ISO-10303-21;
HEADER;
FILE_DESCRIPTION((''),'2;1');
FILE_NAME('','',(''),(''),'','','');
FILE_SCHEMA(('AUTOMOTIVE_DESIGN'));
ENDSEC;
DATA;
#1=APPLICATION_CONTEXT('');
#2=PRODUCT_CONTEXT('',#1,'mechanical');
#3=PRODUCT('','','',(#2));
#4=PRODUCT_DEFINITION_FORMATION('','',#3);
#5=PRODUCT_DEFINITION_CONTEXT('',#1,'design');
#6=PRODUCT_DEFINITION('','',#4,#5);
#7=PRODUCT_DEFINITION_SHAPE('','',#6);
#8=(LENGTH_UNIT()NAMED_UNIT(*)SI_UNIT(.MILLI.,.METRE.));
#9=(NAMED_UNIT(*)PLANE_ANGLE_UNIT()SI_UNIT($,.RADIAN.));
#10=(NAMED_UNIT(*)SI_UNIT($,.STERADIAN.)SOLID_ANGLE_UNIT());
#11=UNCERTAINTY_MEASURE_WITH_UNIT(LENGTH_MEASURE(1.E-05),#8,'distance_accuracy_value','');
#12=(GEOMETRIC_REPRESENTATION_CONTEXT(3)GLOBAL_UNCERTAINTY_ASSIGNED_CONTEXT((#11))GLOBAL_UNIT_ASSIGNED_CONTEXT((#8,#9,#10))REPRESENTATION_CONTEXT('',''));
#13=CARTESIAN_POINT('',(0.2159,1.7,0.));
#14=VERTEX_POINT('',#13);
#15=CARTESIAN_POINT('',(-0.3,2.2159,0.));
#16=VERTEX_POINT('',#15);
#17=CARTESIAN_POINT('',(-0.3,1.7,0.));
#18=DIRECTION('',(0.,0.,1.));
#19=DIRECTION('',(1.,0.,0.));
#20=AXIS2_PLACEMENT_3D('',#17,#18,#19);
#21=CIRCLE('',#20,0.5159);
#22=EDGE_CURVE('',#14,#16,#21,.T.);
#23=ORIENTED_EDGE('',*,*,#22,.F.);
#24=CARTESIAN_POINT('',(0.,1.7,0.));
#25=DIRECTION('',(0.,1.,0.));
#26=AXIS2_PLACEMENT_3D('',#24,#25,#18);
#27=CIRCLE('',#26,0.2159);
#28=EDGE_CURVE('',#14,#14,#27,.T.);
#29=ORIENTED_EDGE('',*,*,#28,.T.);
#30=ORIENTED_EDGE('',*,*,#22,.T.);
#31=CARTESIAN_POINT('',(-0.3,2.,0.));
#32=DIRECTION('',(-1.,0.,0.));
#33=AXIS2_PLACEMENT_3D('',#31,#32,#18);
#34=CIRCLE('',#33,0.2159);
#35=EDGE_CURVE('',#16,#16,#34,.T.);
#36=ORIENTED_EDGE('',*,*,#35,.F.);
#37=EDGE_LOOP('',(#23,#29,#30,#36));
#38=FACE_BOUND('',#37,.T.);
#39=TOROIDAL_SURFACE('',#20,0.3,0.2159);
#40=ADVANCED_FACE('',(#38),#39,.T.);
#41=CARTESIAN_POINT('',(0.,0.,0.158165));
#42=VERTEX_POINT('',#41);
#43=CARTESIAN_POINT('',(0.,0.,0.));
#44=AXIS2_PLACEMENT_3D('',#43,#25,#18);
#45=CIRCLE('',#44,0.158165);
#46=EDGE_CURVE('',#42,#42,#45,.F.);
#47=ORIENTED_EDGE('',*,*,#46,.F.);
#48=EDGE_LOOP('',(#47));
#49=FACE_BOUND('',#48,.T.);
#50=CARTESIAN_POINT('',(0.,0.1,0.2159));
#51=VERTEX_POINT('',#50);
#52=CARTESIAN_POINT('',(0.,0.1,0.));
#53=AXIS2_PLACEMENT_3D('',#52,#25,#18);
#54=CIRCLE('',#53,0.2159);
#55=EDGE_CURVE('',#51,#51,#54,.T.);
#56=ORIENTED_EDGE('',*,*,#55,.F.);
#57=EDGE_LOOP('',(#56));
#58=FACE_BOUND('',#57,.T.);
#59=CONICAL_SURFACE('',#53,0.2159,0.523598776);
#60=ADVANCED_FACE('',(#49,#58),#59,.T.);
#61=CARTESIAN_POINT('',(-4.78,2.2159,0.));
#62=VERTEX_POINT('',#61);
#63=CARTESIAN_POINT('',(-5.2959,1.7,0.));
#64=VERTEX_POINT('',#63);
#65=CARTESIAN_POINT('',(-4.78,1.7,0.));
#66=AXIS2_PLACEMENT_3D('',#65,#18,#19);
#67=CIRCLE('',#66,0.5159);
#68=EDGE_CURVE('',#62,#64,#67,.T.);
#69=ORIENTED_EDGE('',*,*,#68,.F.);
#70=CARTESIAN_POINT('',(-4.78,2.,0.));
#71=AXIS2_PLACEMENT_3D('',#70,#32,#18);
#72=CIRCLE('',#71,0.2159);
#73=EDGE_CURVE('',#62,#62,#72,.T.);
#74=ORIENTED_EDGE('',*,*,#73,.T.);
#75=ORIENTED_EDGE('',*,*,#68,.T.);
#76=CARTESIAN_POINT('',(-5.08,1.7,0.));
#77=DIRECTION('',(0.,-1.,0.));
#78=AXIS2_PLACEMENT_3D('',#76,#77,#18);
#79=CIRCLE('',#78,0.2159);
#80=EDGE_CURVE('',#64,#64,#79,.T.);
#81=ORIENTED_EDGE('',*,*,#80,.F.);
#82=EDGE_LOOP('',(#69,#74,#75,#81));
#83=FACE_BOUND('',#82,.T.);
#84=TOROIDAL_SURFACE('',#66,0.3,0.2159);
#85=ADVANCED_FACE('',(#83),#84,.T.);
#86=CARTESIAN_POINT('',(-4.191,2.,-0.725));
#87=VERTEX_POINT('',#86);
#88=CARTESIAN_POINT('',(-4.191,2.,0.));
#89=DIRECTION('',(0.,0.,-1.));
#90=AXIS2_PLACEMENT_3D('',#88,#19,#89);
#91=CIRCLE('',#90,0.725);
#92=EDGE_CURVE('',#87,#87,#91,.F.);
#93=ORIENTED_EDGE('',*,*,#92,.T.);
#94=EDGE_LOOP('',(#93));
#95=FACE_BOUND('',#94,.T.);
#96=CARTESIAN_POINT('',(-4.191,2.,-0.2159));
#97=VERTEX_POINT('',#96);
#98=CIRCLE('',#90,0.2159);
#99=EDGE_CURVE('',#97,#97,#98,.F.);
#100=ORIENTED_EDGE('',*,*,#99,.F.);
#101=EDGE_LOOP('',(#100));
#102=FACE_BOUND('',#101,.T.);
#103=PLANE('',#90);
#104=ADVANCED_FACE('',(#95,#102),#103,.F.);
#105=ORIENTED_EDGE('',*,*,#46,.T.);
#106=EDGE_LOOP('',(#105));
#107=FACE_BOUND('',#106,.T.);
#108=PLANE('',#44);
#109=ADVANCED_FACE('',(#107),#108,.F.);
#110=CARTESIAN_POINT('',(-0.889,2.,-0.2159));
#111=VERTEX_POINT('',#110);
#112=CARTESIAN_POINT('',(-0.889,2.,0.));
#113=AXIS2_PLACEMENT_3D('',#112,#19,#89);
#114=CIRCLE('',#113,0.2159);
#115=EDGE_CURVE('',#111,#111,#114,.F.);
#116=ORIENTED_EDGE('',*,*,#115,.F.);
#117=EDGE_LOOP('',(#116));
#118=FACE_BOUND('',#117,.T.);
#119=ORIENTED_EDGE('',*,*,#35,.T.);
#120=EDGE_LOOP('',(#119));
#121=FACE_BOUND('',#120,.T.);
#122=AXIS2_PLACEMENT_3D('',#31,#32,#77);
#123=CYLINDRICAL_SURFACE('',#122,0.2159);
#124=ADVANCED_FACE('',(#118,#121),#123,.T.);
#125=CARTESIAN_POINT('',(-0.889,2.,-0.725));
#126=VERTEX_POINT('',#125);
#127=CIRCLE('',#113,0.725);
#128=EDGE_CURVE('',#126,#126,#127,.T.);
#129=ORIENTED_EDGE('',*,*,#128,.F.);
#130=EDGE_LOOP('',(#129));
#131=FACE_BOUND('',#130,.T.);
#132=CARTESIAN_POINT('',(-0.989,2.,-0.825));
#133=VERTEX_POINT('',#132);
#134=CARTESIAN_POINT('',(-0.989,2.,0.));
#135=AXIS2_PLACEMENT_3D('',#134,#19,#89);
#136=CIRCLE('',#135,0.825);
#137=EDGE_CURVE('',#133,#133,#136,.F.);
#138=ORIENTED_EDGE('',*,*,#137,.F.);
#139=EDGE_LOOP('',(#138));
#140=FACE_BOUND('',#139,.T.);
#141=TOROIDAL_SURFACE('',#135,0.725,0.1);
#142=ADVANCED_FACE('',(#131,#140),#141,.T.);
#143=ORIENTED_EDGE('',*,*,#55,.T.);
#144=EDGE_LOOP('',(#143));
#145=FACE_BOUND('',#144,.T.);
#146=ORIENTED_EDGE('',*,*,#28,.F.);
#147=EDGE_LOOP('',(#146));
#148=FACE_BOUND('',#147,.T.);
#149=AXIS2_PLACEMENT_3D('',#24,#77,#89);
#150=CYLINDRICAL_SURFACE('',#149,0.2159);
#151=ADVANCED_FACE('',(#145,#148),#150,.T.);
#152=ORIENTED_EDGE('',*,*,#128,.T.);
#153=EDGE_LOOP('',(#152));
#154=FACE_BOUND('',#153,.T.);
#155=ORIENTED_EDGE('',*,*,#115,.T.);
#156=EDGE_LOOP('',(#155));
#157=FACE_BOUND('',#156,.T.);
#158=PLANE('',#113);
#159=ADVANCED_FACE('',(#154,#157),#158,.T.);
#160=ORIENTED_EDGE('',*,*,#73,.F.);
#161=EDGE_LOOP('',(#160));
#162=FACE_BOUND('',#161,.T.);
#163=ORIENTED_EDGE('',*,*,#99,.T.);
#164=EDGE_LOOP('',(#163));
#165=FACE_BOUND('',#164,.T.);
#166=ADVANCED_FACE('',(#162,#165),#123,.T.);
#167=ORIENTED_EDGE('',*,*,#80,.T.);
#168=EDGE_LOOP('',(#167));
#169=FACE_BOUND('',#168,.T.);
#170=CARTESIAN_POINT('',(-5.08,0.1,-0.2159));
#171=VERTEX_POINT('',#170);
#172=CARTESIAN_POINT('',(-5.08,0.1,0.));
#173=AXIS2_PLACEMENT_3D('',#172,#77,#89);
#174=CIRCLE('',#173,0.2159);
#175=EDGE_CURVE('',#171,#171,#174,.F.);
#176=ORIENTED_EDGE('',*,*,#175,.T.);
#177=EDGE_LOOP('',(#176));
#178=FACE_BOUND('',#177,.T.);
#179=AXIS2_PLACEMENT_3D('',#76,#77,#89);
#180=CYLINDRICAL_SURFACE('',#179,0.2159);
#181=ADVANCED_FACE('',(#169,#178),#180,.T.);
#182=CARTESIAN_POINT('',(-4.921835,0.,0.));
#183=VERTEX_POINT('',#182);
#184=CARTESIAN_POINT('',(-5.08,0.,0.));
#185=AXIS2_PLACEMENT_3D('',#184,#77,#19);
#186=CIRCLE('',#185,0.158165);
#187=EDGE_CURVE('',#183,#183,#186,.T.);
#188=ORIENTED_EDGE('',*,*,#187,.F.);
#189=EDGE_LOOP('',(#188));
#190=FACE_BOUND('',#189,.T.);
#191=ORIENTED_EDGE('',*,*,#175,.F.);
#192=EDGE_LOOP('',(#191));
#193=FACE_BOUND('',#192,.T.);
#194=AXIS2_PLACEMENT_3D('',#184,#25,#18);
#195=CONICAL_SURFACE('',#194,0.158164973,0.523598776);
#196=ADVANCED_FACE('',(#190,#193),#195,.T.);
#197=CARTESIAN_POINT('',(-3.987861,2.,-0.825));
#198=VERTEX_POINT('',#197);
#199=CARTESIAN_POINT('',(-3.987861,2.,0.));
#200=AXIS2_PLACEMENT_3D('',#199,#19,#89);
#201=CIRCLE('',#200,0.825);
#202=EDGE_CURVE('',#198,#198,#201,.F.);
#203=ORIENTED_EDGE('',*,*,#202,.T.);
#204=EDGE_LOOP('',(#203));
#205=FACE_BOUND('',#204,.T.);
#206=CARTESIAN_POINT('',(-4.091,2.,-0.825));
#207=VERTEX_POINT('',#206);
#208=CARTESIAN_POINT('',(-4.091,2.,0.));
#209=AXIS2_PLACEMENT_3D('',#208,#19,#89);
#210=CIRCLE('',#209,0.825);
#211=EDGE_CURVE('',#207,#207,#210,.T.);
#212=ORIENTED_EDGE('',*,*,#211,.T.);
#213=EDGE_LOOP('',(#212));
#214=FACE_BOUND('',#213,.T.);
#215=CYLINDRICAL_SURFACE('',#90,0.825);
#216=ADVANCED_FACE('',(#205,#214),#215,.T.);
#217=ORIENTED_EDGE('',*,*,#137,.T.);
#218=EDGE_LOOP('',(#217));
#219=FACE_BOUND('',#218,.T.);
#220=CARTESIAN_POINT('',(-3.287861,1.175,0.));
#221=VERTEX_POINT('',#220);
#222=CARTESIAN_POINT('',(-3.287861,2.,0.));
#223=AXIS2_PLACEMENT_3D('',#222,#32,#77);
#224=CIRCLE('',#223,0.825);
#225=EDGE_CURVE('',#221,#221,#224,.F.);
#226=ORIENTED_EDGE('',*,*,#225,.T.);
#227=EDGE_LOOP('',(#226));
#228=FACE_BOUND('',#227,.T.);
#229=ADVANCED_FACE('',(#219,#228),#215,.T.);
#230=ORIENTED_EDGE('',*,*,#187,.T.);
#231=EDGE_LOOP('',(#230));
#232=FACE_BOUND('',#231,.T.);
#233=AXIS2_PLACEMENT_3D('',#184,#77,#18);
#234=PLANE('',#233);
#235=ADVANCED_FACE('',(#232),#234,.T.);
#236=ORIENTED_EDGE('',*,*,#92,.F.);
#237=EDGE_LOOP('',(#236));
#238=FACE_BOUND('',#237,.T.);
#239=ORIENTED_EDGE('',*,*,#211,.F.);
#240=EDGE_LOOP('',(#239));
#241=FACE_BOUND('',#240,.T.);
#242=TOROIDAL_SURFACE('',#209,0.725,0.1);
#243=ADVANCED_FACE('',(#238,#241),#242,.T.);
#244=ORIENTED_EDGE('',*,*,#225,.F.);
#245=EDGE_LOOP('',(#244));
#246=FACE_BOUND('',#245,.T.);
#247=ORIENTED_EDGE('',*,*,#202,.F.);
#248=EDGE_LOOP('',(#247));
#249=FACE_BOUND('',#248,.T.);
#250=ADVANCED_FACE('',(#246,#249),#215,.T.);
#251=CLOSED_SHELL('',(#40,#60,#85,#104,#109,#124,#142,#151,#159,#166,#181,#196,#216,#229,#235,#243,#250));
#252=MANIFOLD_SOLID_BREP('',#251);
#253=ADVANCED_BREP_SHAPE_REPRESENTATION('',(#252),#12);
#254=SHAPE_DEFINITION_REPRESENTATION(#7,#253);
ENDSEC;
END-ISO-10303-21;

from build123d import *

# Parameters (mm, degrees)
SKETCH1_R             = 0.2159
SKETCH3_R             = 0.825
EXTRUDE1_DEPTH        = 3.302
FILLET1_R             = 0.1
CHAMFER1_SIZE         = 0.1
CHAMFER1_SIZE2        = 0.057735027
CHAMFER1_PART_2_SIZE  = 0.1
CHAMFER1_PART_2_SIZE2 = 0.057735027


with BuildPart() as part:
    # Sweep1: sweep along a path in Sketch2
    with BuildLine(Plane.XY) as sweep1_path:
        Line((0, 0), (0, 1.7))
        ThreePointArc((0, 1.7), (-0.087867966, 1.912132034), (-0.3, 2))
        Line((-0.3, 2), (-4.78, 2))
        ThreePointArc((-4.78, 2), (-4.992132034, 1.912132034), (-5.08, 1.7))
        Line((-5.08, 1.7), (-5.08, 0))
    # Sketch1 → Sweep1 (sweep)
    with BuildSketch(Plane(origin=(0, 0, 0), x_dir=(1, 0, 0), z_dir=(0, 1, 0))):
        Circle(SKETCH1_R)
    sweep(path=sweep1_path.line)

    # Sketch3 → Extrude1 (add)
    with BuildSketch(Plane(origin=(-0.889, 0, 0), x_dir=(0, 0, -1), z_dir=(1, 0, 0))):
        with Locations((0, 2)):
            Circle(SKETCH3_R)
    extrude(amount=-EXTRUDE1_DEPTH)

    # Fillet1
    fillet1_edges = [part.edges().sort_by_distance(p)[0] for p in [
        (-4.191, 2, 0.825),
        (-0.889, 2, 0.825),
    ]]
    fillet(fillet1_edges, radius=FILLET1_R)

    # Chamfer1
    chamfer1_edges = [part.edges().sort_by_distance(p)[0] for p in [
        (-0.2159, 0, 0),
    ]]
    chamfer1_side = [part.faces().sort_by_distance(p)[0] for p in [
        (-0.2159, 0.85, 0),
    ]]
    chamfer(chamfer1_edges, length=CHAMFER1_SIZE, length2=CHAMFER1_SIZE2, reference=chamfer1_side[0])

    # Chamfer1 part 2
    chamfer1_part_2_edges = [part.edges().sort_by_distance(p)[0] for p in [
        (-4.8641, 0, 0),
    ]]
    chamfer1_part_2_side = [part.faces().sort_by_distance(p)[0] for p in [
        (-4.8641, 0.85, 0),
    ]]
    chamfer(chamfer1_part_2_edges, length=CHAMFER1_PART_2_SIZE, length2=CHAMFER1_PART_2_SIZE2, reference=chamfer1_part_2_side[0])


solid = part.part
